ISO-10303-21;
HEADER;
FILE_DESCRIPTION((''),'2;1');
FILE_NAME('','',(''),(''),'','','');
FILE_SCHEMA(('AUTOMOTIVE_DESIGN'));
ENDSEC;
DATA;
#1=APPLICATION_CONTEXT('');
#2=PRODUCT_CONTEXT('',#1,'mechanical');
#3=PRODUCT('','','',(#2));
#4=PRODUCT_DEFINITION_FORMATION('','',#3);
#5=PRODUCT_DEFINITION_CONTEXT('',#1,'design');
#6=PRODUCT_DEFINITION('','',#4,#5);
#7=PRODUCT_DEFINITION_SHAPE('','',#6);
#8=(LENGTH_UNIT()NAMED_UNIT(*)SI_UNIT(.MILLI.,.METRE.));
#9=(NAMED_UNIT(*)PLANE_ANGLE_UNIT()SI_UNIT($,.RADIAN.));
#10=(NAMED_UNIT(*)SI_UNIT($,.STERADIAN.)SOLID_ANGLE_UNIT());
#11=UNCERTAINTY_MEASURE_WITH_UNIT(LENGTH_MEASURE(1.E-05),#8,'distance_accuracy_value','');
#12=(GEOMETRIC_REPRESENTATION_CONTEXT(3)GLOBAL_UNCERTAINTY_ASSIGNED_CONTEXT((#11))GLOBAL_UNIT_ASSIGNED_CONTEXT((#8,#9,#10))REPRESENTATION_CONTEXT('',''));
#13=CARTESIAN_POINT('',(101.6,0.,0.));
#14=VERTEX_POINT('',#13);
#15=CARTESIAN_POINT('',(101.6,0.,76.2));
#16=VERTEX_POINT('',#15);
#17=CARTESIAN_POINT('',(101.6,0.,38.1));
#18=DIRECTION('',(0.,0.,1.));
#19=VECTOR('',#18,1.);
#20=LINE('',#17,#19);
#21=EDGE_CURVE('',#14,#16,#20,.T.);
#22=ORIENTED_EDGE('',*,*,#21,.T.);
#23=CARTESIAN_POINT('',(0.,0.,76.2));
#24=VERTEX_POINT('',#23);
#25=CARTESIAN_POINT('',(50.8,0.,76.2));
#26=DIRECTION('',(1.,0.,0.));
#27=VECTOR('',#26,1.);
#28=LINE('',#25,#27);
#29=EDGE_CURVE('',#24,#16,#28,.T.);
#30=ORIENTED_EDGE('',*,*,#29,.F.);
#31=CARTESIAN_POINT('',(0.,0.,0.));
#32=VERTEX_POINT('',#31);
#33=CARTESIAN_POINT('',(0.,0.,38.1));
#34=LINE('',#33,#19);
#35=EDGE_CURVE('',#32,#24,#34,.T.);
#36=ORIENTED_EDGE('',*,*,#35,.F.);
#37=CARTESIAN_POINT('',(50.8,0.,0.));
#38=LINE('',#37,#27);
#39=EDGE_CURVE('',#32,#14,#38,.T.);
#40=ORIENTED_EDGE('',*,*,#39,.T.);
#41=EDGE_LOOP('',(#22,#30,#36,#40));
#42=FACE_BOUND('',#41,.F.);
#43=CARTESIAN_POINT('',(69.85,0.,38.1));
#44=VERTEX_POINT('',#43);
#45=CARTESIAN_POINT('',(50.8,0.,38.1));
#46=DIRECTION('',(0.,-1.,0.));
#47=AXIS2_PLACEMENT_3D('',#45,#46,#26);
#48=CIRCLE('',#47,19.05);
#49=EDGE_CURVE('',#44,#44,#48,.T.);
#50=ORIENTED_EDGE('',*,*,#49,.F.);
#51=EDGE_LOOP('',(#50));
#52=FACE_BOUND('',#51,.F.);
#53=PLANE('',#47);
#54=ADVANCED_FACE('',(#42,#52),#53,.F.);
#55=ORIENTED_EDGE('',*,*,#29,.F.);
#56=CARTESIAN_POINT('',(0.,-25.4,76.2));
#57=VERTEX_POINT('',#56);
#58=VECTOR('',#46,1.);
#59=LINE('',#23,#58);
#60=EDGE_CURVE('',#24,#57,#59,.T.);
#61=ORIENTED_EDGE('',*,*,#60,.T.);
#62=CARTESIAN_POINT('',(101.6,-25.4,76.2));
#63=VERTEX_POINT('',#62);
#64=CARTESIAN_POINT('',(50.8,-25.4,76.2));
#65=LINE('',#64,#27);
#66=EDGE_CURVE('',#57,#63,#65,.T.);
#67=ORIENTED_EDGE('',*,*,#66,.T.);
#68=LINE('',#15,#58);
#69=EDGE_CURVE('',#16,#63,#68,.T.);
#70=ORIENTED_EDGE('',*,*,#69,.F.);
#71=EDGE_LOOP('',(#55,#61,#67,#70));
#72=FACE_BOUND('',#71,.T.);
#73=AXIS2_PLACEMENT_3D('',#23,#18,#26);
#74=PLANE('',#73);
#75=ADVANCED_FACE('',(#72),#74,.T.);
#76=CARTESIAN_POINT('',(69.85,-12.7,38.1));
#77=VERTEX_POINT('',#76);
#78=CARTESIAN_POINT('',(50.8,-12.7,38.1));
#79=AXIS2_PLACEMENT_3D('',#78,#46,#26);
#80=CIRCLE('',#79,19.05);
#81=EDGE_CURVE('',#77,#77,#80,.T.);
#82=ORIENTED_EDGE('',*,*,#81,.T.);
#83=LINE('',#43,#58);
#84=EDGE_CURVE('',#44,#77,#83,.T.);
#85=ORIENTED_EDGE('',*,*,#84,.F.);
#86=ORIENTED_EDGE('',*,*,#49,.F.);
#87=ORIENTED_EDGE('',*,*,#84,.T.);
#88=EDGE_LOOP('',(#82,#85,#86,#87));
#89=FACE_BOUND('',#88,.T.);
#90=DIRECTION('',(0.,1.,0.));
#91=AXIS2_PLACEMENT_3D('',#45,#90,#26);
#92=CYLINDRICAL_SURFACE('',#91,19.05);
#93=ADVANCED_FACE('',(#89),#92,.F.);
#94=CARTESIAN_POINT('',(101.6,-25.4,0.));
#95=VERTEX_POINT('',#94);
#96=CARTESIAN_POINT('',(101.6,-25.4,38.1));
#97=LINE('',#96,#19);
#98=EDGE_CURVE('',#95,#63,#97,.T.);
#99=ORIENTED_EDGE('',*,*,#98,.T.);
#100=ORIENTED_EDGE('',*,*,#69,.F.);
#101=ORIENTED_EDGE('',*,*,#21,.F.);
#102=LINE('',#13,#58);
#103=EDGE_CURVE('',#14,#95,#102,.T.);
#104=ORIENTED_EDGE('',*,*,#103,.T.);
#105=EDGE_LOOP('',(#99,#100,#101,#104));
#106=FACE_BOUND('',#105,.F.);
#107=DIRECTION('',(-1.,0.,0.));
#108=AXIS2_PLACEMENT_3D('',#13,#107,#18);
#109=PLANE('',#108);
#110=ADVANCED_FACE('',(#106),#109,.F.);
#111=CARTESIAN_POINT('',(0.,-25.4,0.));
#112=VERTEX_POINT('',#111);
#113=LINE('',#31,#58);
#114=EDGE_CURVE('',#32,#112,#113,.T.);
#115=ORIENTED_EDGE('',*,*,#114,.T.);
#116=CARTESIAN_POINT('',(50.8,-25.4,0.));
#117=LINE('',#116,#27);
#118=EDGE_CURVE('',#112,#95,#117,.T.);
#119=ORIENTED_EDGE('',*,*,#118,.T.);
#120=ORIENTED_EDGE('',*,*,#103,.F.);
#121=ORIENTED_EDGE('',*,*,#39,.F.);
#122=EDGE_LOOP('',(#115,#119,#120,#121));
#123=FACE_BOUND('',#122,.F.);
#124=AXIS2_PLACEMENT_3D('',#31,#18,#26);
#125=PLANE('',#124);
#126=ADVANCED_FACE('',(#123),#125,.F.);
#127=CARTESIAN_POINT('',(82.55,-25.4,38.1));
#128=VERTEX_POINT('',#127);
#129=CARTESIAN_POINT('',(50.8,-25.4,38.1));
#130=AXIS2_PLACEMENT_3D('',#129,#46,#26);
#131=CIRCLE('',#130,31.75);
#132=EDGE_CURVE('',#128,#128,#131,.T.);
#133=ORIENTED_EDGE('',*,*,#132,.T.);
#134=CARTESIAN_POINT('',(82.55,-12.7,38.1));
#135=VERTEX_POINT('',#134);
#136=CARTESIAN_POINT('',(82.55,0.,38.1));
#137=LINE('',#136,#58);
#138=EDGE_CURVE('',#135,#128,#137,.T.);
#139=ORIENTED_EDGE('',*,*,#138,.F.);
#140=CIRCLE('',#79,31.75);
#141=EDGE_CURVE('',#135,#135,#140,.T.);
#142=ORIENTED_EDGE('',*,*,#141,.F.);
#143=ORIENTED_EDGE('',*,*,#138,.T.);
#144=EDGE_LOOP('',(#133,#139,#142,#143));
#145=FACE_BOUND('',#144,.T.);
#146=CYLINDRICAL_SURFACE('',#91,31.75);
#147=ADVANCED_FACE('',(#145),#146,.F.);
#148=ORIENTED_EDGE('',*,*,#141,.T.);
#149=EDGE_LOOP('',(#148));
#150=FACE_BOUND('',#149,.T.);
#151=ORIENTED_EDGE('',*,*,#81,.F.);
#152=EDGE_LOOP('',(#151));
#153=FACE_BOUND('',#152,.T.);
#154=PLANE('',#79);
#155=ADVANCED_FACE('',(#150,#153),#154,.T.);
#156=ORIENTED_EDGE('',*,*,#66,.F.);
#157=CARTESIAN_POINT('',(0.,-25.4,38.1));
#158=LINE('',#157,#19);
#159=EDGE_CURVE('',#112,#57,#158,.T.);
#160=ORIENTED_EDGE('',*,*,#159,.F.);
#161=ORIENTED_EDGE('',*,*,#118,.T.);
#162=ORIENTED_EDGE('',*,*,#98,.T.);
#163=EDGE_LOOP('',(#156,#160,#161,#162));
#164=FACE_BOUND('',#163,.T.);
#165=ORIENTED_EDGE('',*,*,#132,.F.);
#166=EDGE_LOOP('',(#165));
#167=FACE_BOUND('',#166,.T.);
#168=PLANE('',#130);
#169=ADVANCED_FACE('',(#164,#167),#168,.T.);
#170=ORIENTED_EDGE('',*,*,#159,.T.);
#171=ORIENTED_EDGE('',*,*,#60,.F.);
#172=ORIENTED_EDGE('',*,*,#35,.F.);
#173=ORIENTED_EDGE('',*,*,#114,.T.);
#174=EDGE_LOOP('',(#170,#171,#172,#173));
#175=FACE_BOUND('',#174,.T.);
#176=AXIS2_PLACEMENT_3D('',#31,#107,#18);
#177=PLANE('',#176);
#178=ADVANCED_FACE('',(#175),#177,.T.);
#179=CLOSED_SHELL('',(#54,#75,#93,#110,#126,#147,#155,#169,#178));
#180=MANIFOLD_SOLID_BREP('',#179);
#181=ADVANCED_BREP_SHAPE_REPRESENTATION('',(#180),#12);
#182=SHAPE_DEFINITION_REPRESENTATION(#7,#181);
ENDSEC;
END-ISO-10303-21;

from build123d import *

# Parameters (mm, degrees)
F0_W     = 101.6
F0_H     = 76.2
F0_R     = 31.75
F1_DEPTH = 25.4
F0_R_2   = 19.05
F2_DEPTH = 12.7


with BuildPart() as f1:
    # F0 (on Front) → F1 (new body)
    with BuildSketch(Plane.XZ):
        with Locations((50.8, 38.1)):
            Rectangle(F0_W, F0_H)
        with Locations((50.8, 38.1)):
            Circle(F0_R, mode=Mode.SUBTRACT)
    extrude(amount=F1_DEPTH)

    # F0 (on Front) → F2 (join)
    with BuildSketch(Plane.XZ):
        with Locations((50.8, 38.1)):
            Circle(F0_R)
        with Locations((50.8, 38.1)):
            Circle(F0_R_2, mode=Mode.SUBTRACT)
    extrude(amount=F2_DEPTH)


solid = f1.part
